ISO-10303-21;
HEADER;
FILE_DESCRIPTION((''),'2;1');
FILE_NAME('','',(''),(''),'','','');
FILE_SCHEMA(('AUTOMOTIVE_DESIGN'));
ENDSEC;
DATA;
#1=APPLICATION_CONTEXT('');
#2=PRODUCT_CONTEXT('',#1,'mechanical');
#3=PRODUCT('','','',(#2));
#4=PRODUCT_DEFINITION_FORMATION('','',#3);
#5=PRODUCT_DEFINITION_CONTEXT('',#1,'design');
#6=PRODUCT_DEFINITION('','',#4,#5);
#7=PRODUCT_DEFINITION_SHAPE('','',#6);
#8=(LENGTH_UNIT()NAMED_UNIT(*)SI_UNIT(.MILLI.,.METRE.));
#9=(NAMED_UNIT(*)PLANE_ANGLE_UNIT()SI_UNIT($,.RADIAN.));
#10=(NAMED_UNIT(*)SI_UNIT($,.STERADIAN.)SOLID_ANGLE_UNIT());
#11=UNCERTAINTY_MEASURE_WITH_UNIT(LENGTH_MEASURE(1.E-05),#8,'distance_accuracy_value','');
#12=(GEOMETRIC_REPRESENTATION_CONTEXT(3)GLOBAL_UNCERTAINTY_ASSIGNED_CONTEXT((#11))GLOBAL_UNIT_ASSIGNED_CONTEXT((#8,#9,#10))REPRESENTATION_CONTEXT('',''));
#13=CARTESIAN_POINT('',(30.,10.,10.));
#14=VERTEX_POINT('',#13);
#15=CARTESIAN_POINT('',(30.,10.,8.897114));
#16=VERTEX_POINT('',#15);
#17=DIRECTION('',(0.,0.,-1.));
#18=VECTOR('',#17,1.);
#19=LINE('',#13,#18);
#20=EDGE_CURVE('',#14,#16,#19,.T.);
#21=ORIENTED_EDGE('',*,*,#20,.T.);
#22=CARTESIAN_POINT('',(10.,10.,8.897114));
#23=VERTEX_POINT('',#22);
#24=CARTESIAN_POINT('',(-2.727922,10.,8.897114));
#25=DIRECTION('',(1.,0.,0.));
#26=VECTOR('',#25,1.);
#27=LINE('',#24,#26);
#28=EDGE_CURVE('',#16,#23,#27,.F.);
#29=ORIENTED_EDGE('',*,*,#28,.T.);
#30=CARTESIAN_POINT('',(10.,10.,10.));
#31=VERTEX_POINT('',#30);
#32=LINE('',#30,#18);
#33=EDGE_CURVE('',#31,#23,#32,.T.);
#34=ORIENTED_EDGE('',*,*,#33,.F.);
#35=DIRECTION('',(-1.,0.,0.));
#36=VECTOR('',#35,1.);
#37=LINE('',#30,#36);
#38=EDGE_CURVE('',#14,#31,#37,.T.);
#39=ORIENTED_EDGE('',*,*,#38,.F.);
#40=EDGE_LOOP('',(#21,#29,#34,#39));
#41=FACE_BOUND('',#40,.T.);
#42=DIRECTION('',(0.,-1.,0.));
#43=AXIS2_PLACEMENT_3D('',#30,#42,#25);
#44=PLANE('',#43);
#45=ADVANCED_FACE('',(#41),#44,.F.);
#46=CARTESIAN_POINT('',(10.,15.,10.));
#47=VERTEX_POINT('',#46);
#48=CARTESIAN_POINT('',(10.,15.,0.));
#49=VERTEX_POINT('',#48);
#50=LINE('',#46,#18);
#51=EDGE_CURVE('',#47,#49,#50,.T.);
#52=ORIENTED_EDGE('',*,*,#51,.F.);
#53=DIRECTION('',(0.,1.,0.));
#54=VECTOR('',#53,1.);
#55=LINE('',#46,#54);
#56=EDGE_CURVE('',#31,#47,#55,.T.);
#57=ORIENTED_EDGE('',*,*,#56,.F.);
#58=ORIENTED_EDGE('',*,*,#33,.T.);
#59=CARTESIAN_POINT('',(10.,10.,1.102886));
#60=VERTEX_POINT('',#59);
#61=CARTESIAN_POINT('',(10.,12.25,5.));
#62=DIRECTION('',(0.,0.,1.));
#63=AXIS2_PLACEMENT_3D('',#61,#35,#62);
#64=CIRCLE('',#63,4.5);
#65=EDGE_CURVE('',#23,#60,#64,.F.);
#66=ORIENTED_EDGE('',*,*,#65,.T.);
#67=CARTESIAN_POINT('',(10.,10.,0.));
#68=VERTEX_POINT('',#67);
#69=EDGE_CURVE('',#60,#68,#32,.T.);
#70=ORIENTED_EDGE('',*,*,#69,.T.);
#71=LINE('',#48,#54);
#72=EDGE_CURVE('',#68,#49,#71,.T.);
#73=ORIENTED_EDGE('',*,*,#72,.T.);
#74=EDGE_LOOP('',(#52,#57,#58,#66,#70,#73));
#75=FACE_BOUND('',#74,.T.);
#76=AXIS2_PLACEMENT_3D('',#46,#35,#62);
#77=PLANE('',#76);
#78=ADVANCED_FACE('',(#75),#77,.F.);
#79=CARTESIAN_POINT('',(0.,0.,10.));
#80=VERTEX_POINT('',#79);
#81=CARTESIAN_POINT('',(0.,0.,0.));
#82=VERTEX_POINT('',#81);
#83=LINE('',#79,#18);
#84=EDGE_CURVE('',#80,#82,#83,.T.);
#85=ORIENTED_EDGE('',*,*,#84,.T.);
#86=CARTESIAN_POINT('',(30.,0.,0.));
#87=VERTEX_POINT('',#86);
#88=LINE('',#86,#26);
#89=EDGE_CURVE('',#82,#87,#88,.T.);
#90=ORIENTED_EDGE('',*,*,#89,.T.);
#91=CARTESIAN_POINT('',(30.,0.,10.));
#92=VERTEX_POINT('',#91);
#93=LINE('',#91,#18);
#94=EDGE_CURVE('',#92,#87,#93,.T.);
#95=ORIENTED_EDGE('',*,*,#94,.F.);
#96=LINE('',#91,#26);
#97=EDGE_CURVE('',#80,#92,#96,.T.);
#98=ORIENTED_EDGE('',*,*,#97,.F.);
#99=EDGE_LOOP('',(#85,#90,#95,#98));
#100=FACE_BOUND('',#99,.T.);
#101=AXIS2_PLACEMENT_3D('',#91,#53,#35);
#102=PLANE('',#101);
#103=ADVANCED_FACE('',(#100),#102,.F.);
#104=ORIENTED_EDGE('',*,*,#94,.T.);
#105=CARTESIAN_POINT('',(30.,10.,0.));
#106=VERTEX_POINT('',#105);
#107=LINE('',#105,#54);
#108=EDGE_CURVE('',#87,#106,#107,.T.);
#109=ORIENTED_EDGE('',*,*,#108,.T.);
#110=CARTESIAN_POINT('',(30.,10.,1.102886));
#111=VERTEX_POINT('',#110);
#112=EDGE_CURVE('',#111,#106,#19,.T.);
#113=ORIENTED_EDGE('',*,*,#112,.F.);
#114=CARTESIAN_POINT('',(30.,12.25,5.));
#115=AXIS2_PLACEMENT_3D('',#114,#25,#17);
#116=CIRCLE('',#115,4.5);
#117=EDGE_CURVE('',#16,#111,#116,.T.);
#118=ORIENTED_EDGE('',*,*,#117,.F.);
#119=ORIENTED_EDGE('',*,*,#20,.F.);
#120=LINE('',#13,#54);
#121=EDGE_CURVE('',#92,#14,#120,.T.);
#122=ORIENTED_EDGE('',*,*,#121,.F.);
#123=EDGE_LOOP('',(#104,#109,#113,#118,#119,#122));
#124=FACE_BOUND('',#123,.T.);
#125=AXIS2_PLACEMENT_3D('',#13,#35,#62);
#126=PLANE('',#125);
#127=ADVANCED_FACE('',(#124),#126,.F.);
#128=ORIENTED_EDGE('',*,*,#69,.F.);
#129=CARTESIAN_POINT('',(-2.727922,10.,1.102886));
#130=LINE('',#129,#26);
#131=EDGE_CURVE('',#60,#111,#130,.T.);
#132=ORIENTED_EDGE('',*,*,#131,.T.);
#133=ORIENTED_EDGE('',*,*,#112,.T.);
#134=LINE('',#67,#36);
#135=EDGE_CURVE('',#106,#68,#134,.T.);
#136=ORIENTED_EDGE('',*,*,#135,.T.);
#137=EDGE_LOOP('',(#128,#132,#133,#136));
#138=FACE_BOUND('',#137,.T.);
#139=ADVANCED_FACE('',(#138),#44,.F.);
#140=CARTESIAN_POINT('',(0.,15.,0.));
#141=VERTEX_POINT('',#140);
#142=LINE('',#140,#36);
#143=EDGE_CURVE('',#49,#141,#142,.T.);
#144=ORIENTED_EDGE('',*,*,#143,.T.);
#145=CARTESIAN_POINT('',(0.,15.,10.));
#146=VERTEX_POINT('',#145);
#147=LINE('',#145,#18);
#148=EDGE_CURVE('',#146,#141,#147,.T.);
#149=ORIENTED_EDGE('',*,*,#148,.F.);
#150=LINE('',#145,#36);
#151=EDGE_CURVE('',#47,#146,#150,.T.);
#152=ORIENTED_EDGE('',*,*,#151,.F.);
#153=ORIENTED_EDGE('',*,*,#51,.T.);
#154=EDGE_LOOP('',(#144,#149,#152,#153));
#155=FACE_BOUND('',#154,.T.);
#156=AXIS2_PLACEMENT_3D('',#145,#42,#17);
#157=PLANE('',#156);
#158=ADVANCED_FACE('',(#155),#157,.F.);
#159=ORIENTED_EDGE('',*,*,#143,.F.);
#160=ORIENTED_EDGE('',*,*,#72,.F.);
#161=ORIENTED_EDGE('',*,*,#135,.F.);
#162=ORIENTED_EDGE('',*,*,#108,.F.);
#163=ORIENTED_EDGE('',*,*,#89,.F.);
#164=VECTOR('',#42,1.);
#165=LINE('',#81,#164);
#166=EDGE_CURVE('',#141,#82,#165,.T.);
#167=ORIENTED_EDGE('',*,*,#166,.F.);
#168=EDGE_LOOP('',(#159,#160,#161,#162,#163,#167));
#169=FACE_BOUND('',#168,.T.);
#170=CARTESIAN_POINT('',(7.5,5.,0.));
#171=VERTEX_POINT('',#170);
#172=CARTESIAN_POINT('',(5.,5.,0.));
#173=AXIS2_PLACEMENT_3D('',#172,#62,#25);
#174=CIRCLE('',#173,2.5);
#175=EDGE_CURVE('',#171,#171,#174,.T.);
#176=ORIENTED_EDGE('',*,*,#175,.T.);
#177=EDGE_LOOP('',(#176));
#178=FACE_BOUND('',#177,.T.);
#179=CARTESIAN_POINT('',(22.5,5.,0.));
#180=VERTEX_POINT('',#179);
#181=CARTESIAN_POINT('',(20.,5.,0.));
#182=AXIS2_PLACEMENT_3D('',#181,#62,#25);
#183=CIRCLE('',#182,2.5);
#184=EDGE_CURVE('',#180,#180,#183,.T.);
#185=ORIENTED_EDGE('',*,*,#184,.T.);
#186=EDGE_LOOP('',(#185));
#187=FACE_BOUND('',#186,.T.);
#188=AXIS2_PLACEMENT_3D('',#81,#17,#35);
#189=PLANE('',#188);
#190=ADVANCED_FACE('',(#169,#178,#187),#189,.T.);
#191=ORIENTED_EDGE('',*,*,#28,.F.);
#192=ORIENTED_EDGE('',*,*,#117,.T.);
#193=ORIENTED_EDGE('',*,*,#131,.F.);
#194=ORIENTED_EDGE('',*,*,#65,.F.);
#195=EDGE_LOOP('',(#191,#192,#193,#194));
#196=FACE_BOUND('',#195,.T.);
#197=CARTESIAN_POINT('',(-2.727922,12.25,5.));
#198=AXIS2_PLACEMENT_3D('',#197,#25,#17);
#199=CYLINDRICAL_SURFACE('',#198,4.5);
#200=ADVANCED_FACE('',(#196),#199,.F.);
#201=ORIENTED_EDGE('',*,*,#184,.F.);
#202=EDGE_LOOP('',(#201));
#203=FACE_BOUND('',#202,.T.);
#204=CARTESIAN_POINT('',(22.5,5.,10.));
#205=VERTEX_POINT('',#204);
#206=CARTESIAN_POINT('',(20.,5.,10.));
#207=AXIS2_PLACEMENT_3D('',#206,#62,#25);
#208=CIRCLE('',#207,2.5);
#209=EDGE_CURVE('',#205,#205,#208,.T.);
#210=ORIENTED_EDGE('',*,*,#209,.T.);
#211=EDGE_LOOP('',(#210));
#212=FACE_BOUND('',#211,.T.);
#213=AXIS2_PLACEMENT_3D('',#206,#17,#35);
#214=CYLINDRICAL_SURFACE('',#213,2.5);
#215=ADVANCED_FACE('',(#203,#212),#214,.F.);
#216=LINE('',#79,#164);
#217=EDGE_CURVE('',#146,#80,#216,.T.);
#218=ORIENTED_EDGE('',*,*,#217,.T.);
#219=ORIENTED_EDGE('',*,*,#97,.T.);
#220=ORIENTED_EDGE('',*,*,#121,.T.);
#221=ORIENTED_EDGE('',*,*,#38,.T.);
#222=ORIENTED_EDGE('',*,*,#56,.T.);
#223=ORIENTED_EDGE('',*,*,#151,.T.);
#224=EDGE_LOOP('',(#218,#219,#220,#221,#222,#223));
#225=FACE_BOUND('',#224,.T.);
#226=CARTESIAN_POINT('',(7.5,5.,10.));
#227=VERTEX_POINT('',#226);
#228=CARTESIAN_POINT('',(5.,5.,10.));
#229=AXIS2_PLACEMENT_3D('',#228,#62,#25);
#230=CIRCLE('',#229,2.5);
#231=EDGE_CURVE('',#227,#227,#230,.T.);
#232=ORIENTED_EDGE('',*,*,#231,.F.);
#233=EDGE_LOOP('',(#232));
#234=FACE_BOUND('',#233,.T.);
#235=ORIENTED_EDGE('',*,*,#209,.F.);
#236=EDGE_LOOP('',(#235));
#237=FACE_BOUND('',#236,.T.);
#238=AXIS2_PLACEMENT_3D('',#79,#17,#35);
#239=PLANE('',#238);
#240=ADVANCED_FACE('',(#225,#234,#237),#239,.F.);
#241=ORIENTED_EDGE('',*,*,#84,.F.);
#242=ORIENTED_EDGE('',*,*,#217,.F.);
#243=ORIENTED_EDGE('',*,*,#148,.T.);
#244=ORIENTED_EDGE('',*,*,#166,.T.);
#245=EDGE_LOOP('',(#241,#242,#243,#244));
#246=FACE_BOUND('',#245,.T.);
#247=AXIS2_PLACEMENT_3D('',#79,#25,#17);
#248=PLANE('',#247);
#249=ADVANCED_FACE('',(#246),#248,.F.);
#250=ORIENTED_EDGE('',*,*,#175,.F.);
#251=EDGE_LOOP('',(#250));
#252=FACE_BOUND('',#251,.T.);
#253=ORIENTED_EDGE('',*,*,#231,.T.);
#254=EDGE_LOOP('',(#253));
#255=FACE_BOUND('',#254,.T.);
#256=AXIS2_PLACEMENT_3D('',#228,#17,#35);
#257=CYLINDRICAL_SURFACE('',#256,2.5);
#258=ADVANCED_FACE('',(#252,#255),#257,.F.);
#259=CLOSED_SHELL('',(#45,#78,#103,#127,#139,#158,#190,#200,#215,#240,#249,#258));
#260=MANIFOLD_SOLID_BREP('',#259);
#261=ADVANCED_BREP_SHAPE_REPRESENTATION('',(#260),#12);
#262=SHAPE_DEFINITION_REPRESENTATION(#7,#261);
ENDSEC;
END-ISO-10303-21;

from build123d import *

# Parameters (mm, degrees)
SKETCH_1_R          = 2.5
EXTRUDE_1_DEPTH     = 10
SKETCH_2_R          = 4.5
CUT_EXTRUDE_2_DEPTH = 20


with BuildPart() as part:
    # 草圖1 → 填料-伸長1 (new body)
    with BuildSketch(Plane.XY):
        Polygon((0, 0), (0, 15), (10, 15), (10, 10), (30, 10), (30, 0), align=None)
        with Locations((5, 5)):
            Circle(SKETCH_1_R, mode=Mode.SUBTRACT)
        with Locations((20, 5)):
            Circle(SKETCH_1_R, mode=Mode.SUBTRACT)
    extrude(amount=EXTRUDE_1_DEPTH)

    # 草圖2 → 除料-伸長2 (cut)
    with BuildSketch(Plane(origin=(30, 0, 0), x_dir=(0, 0, -1), z_dir=(1, 0, 0))):
        with Locations((-5, 12.25)):
            Circle(SKETCH_2_R)
    extrude(amount=-CUT_EXTRUDE_2_DEPTH, mode=Mode.SUBTRACT)


solid = part.part
